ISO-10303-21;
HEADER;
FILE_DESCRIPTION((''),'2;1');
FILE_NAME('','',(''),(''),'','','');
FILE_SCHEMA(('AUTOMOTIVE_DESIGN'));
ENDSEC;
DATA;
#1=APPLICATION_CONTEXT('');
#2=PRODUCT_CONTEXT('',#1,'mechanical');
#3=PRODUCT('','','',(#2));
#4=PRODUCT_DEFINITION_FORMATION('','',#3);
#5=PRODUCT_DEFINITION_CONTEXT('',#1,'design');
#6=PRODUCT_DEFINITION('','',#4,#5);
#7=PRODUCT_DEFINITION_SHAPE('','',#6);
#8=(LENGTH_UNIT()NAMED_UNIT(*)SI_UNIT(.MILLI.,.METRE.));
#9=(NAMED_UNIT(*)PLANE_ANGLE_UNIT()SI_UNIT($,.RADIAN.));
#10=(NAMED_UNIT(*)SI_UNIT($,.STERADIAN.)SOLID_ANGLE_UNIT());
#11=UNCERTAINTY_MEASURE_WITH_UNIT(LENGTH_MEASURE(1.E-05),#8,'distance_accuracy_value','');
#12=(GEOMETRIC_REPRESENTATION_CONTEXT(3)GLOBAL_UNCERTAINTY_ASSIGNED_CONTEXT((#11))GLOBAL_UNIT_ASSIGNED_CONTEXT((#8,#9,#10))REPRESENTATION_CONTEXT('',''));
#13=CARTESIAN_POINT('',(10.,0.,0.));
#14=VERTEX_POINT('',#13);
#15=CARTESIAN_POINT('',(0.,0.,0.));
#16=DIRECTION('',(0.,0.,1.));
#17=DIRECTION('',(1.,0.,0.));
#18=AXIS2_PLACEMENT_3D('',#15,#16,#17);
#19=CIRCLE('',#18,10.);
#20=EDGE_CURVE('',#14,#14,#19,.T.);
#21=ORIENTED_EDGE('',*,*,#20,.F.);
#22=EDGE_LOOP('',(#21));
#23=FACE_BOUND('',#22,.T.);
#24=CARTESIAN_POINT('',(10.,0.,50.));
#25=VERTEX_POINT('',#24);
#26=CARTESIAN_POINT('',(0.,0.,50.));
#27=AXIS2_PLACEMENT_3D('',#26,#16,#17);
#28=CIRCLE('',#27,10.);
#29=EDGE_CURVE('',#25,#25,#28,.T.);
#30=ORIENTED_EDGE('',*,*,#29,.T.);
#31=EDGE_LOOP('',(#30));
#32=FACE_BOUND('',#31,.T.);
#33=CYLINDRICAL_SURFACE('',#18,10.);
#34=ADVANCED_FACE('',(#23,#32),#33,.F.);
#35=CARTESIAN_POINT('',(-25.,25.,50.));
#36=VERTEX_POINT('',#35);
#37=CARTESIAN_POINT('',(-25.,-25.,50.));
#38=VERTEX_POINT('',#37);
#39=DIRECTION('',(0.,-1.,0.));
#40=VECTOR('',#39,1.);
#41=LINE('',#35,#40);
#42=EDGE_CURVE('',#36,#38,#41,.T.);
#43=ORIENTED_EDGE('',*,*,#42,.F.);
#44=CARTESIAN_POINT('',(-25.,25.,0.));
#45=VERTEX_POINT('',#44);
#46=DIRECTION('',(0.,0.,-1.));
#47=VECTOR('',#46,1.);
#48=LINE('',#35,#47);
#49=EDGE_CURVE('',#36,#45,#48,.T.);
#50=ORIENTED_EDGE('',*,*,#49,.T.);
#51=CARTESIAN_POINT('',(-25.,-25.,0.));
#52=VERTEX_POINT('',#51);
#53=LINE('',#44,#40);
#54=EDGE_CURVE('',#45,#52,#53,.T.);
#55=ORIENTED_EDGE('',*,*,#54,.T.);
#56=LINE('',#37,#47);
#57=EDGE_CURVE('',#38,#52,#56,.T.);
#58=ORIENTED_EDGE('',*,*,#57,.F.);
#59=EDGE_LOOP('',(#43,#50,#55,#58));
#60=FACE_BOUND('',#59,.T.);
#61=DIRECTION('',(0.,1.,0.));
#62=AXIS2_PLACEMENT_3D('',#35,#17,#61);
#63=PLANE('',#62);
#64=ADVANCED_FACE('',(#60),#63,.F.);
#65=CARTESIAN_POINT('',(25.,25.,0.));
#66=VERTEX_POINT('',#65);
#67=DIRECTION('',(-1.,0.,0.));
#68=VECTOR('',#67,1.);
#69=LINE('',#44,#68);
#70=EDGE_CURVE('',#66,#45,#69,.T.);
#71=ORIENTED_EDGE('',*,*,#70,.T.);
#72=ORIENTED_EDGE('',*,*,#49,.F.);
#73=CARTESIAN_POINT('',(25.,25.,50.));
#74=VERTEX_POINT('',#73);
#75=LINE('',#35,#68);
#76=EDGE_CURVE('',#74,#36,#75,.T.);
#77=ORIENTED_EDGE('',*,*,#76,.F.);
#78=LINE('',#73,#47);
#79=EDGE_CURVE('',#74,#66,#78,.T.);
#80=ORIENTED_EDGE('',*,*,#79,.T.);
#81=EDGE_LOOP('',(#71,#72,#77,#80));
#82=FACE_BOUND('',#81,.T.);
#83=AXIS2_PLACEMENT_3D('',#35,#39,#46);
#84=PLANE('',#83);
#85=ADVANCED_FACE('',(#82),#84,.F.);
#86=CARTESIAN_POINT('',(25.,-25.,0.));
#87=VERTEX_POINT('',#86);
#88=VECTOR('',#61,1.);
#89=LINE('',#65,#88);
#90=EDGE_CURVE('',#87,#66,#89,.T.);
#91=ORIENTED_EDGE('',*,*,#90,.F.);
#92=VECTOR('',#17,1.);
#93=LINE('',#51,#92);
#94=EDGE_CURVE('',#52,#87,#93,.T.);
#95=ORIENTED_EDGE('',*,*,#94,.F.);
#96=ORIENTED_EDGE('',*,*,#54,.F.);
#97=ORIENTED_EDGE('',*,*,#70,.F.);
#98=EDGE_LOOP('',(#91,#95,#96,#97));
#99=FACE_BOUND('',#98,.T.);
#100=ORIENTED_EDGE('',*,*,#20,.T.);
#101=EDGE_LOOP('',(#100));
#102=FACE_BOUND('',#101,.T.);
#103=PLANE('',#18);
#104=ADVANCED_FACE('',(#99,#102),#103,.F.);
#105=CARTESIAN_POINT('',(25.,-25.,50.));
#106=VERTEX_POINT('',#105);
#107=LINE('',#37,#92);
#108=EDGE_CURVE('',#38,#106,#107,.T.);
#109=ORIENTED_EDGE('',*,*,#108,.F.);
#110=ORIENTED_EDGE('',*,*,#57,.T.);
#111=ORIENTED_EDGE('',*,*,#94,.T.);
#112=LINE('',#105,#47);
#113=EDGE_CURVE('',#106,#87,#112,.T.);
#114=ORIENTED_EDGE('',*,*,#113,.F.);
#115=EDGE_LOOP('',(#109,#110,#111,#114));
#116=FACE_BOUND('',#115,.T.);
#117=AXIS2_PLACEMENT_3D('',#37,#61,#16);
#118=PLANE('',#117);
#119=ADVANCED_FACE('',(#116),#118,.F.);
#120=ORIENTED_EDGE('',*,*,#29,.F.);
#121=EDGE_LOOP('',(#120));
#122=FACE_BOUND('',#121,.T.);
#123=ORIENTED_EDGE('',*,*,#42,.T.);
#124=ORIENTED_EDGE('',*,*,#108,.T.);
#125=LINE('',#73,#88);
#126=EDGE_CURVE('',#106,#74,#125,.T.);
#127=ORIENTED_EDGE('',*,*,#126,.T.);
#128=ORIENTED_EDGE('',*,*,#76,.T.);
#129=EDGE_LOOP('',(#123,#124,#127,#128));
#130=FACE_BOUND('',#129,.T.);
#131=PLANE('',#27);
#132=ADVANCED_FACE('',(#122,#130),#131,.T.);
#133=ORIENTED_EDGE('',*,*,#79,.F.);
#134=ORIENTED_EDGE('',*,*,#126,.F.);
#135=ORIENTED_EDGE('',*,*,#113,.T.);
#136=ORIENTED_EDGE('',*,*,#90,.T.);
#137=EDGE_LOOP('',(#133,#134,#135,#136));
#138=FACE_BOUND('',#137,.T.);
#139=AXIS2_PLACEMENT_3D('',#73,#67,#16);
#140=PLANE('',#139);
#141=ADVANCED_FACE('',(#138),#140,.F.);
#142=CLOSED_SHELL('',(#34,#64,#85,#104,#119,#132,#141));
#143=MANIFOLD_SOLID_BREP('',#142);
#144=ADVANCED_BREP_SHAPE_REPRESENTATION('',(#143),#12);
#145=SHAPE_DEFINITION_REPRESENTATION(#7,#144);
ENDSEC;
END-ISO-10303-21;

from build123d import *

# Parameters (mm, degrees)
SKETCH1_W           = 50
SKETCH1_H           = 50
BOSS_EXTRUDE1_DEPTH = 50
SKETCH2_R           = 10
CUT_EXTRUDE1_DEPTH  = 50


with BuildPart() as part:
    # Sketch1 → Boss-Extrude1 (new body)
    with BuildSketch(Plane.XY):
        Rectangle(SKETCH1_W, SKETCH1_H)
    extrude(amount=BOSS_EXTRUDE1_DEPTH)

    # Sketch2 → Cut-Extrude1 (cut)
    with BuildSketch(Plane.XY.offset(50)):
        Circle(SKETCH2_R)
    extrude(amount=-CUT_EXTRUDE1_DEPTH, mode=Mode.SUBTRACT)


solid = part.part
